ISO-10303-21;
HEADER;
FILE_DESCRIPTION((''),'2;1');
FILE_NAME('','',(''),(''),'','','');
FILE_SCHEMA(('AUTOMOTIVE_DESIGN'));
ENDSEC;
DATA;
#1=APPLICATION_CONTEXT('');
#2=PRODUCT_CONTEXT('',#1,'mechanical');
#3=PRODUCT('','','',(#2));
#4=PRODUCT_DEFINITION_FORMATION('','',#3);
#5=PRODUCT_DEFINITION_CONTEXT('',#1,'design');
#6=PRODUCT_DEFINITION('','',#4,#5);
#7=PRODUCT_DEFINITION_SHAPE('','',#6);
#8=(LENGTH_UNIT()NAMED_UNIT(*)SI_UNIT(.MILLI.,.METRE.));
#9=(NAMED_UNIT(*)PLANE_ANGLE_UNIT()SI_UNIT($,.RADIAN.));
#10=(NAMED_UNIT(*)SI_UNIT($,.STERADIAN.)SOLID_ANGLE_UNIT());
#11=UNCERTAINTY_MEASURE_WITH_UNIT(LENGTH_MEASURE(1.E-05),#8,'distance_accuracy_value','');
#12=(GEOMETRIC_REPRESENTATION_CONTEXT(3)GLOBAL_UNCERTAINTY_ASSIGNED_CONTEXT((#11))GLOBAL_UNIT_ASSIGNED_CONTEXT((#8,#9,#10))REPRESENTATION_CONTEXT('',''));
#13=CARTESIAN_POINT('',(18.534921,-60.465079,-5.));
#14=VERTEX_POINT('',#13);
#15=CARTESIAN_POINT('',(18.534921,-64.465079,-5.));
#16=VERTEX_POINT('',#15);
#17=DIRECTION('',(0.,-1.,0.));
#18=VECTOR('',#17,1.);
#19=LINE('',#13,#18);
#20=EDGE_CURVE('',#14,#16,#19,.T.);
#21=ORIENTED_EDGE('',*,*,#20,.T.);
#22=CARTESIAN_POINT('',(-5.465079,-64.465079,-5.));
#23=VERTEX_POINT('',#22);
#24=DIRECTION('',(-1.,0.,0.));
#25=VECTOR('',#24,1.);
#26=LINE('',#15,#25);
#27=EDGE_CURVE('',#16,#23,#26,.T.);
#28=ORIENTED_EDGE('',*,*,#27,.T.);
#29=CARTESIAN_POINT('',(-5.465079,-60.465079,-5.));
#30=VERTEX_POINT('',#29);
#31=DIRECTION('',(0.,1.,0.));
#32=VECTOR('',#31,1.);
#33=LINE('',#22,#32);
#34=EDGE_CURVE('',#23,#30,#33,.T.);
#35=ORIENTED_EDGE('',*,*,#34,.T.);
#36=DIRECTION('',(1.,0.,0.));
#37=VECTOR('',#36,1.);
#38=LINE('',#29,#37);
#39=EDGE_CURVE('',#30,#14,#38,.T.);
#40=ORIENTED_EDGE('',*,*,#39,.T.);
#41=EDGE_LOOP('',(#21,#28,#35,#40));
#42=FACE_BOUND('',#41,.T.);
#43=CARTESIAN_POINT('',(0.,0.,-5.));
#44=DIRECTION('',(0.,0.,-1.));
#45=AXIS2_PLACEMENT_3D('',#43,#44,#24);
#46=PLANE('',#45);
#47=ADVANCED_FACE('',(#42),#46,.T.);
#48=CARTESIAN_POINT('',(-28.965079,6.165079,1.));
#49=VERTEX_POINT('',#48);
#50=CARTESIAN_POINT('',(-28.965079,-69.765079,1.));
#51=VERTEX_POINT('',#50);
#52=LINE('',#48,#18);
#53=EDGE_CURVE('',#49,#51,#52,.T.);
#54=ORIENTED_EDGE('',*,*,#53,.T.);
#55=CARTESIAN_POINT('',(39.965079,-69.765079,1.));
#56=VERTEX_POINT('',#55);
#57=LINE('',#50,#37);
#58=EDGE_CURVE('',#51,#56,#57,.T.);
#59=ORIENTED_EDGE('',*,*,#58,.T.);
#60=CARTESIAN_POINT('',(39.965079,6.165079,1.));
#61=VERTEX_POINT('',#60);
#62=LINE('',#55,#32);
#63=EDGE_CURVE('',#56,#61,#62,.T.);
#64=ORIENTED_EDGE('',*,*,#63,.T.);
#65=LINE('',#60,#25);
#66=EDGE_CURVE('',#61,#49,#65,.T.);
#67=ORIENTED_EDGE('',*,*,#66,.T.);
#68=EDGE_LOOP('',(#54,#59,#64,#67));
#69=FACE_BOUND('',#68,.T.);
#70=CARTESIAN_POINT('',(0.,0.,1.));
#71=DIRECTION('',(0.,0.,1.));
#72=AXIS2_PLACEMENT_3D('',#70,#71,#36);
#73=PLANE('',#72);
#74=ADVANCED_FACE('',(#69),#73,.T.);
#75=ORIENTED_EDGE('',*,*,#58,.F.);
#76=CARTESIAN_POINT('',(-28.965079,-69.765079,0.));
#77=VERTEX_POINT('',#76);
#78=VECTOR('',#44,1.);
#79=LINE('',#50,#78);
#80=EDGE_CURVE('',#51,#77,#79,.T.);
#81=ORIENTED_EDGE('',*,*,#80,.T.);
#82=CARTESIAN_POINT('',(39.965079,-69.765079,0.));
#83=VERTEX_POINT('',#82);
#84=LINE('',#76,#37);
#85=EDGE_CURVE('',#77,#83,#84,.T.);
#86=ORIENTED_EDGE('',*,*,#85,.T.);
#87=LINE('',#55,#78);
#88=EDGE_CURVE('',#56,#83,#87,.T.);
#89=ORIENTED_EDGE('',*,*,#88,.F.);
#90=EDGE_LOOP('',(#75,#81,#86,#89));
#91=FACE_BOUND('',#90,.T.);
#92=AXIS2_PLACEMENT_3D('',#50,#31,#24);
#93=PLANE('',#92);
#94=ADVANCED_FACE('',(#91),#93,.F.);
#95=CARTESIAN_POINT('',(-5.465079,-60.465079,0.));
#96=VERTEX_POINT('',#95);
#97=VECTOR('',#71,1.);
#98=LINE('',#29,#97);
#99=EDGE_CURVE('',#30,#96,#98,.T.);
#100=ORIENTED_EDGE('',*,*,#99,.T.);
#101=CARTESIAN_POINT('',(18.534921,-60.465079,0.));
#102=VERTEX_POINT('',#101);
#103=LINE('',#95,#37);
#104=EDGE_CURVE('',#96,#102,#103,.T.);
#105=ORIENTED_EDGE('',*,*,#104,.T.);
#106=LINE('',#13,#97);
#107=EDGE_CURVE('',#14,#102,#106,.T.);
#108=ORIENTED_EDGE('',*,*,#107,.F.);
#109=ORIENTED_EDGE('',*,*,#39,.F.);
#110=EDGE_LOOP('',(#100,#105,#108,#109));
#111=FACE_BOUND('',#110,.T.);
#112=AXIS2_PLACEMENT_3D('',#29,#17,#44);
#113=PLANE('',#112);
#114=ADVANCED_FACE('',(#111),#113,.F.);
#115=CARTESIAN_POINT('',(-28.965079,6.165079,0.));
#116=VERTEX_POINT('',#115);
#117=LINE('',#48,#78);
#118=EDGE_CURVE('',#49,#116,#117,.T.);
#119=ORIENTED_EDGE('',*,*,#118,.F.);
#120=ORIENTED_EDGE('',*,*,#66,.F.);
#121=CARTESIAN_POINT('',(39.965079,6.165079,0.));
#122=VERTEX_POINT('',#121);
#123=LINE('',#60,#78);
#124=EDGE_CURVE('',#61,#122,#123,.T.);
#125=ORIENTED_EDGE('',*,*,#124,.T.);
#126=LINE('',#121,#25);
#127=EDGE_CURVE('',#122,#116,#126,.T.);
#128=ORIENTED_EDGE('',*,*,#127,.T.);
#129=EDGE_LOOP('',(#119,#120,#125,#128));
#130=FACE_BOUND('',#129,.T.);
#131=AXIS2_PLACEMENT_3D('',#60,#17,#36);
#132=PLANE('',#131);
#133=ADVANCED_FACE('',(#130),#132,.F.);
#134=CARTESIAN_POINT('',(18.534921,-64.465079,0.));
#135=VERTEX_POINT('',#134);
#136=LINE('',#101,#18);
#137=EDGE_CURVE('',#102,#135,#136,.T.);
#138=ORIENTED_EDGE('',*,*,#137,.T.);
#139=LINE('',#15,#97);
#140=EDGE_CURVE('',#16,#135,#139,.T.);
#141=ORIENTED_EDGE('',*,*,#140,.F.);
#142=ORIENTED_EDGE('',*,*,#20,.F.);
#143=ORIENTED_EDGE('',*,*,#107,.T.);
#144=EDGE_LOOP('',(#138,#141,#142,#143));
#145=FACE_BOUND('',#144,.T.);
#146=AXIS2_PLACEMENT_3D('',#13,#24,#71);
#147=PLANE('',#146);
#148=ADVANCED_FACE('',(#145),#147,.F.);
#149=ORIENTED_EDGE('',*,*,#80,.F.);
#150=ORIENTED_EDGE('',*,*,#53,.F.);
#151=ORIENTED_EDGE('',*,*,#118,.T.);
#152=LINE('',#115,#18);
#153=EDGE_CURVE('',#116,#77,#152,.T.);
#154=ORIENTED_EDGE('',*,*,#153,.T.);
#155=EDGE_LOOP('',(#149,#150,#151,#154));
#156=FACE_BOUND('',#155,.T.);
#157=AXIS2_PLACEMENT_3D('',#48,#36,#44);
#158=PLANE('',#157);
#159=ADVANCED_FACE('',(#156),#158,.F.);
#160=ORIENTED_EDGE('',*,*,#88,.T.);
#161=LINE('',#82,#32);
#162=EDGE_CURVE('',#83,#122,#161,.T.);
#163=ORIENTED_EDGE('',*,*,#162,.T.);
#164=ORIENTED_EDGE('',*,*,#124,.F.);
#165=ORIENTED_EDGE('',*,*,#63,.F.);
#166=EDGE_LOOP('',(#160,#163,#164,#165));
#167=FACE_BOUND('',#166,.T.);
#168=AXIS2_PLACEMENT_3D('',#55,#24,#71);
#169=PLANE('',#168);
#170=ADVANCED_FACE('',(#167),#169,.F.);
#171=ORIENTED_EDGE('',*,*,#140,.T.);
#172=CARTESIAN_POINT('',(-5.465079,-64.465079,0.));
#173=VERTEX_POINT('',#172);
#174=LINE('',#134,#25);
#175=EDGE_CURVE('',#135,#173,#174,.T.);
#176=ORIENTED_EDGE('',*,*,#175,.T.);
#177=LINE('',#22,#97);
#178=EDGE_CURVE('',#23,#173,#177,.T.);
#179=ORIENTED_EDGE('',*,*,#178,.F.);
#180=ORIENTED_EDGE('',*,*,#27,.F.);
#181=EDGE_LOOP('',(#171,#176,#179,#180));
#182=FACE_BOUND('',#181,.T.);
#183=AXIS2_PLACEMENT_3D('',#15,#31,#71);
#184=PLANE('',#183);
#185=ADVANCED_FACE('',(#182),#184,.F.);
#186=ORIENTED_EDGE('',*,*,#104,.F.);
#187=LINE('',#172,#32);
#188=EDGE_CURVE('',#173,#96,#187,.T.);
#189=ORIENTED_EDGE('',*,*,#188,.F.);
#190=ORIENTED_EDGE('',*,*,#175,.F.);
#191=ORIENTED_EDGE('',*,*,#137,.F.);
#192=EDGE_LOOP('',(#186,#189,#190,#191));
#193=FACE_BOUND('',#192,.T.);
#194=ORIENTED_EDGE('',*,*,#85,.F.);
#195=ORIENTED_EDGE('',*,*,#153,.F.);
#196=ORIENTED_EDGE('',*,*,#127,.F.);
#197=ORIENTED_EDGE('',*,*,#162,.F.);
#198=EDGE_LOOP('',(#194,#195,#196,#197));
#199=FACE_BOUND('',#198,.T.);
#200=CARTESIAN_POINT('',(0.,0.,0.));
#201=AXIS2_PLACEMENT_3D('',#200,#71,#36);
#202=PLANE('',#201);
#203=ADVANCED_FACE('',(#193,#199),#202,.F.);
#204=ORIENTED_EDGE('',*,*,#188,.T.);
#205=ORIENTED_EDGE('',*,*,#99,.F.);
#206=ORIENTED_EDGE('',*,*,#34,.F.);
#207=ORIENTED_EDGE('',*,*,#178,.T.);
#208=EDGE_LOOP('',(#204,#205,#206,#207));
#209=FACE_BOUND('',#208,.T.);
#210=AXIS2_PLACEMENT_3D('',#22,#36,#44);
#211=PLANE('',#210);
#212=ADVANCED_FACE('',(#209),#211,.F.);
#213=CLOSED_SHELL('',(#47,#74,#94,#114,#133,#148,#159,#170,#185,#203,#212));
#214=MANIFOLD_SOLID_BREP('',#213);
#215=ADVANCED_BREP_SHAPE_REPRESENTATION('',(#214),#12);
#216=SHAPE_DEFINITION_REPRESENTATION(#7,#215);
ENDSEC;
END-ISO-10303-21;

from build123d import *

# Parameters (mm, degrees)
SKETCH1_W           = 68.930158462
SKETCH1_H           = 75.930158462
BOSS_EXTRUDE1_DEPTH = 1
SKETCH2_W           = 24
SKETCH2_H           = 4
BOSS_EXTRUDE2_DEPTH = 5


with BuildPart() as part:
    # Sketch1 → Boss-Extrude1 (new body)
    with BuildSketch(Plane.XY):
        with Locations((5.5, -31.8)):
            Rectangle(SKETCH1_W, SKETCH1_H)
    extrude(amount=BOSS_EXTRUDE1_DEPTH)

    # Sketch2 → Boss-Extrude2 (add)
    with BuildSketch(Plane(origin=(0, 0, 0), x_dir=(-1, 0, 0), z_dir=(0, 0, -1))):
        with Locations((-6.534920769, -62.465079231)):
            Rectangle(SKETCH2_W, SKETCH2_H)
    extrude(amount=BOSS_EXTRUDE2_DEPTH)


solid = part.part
